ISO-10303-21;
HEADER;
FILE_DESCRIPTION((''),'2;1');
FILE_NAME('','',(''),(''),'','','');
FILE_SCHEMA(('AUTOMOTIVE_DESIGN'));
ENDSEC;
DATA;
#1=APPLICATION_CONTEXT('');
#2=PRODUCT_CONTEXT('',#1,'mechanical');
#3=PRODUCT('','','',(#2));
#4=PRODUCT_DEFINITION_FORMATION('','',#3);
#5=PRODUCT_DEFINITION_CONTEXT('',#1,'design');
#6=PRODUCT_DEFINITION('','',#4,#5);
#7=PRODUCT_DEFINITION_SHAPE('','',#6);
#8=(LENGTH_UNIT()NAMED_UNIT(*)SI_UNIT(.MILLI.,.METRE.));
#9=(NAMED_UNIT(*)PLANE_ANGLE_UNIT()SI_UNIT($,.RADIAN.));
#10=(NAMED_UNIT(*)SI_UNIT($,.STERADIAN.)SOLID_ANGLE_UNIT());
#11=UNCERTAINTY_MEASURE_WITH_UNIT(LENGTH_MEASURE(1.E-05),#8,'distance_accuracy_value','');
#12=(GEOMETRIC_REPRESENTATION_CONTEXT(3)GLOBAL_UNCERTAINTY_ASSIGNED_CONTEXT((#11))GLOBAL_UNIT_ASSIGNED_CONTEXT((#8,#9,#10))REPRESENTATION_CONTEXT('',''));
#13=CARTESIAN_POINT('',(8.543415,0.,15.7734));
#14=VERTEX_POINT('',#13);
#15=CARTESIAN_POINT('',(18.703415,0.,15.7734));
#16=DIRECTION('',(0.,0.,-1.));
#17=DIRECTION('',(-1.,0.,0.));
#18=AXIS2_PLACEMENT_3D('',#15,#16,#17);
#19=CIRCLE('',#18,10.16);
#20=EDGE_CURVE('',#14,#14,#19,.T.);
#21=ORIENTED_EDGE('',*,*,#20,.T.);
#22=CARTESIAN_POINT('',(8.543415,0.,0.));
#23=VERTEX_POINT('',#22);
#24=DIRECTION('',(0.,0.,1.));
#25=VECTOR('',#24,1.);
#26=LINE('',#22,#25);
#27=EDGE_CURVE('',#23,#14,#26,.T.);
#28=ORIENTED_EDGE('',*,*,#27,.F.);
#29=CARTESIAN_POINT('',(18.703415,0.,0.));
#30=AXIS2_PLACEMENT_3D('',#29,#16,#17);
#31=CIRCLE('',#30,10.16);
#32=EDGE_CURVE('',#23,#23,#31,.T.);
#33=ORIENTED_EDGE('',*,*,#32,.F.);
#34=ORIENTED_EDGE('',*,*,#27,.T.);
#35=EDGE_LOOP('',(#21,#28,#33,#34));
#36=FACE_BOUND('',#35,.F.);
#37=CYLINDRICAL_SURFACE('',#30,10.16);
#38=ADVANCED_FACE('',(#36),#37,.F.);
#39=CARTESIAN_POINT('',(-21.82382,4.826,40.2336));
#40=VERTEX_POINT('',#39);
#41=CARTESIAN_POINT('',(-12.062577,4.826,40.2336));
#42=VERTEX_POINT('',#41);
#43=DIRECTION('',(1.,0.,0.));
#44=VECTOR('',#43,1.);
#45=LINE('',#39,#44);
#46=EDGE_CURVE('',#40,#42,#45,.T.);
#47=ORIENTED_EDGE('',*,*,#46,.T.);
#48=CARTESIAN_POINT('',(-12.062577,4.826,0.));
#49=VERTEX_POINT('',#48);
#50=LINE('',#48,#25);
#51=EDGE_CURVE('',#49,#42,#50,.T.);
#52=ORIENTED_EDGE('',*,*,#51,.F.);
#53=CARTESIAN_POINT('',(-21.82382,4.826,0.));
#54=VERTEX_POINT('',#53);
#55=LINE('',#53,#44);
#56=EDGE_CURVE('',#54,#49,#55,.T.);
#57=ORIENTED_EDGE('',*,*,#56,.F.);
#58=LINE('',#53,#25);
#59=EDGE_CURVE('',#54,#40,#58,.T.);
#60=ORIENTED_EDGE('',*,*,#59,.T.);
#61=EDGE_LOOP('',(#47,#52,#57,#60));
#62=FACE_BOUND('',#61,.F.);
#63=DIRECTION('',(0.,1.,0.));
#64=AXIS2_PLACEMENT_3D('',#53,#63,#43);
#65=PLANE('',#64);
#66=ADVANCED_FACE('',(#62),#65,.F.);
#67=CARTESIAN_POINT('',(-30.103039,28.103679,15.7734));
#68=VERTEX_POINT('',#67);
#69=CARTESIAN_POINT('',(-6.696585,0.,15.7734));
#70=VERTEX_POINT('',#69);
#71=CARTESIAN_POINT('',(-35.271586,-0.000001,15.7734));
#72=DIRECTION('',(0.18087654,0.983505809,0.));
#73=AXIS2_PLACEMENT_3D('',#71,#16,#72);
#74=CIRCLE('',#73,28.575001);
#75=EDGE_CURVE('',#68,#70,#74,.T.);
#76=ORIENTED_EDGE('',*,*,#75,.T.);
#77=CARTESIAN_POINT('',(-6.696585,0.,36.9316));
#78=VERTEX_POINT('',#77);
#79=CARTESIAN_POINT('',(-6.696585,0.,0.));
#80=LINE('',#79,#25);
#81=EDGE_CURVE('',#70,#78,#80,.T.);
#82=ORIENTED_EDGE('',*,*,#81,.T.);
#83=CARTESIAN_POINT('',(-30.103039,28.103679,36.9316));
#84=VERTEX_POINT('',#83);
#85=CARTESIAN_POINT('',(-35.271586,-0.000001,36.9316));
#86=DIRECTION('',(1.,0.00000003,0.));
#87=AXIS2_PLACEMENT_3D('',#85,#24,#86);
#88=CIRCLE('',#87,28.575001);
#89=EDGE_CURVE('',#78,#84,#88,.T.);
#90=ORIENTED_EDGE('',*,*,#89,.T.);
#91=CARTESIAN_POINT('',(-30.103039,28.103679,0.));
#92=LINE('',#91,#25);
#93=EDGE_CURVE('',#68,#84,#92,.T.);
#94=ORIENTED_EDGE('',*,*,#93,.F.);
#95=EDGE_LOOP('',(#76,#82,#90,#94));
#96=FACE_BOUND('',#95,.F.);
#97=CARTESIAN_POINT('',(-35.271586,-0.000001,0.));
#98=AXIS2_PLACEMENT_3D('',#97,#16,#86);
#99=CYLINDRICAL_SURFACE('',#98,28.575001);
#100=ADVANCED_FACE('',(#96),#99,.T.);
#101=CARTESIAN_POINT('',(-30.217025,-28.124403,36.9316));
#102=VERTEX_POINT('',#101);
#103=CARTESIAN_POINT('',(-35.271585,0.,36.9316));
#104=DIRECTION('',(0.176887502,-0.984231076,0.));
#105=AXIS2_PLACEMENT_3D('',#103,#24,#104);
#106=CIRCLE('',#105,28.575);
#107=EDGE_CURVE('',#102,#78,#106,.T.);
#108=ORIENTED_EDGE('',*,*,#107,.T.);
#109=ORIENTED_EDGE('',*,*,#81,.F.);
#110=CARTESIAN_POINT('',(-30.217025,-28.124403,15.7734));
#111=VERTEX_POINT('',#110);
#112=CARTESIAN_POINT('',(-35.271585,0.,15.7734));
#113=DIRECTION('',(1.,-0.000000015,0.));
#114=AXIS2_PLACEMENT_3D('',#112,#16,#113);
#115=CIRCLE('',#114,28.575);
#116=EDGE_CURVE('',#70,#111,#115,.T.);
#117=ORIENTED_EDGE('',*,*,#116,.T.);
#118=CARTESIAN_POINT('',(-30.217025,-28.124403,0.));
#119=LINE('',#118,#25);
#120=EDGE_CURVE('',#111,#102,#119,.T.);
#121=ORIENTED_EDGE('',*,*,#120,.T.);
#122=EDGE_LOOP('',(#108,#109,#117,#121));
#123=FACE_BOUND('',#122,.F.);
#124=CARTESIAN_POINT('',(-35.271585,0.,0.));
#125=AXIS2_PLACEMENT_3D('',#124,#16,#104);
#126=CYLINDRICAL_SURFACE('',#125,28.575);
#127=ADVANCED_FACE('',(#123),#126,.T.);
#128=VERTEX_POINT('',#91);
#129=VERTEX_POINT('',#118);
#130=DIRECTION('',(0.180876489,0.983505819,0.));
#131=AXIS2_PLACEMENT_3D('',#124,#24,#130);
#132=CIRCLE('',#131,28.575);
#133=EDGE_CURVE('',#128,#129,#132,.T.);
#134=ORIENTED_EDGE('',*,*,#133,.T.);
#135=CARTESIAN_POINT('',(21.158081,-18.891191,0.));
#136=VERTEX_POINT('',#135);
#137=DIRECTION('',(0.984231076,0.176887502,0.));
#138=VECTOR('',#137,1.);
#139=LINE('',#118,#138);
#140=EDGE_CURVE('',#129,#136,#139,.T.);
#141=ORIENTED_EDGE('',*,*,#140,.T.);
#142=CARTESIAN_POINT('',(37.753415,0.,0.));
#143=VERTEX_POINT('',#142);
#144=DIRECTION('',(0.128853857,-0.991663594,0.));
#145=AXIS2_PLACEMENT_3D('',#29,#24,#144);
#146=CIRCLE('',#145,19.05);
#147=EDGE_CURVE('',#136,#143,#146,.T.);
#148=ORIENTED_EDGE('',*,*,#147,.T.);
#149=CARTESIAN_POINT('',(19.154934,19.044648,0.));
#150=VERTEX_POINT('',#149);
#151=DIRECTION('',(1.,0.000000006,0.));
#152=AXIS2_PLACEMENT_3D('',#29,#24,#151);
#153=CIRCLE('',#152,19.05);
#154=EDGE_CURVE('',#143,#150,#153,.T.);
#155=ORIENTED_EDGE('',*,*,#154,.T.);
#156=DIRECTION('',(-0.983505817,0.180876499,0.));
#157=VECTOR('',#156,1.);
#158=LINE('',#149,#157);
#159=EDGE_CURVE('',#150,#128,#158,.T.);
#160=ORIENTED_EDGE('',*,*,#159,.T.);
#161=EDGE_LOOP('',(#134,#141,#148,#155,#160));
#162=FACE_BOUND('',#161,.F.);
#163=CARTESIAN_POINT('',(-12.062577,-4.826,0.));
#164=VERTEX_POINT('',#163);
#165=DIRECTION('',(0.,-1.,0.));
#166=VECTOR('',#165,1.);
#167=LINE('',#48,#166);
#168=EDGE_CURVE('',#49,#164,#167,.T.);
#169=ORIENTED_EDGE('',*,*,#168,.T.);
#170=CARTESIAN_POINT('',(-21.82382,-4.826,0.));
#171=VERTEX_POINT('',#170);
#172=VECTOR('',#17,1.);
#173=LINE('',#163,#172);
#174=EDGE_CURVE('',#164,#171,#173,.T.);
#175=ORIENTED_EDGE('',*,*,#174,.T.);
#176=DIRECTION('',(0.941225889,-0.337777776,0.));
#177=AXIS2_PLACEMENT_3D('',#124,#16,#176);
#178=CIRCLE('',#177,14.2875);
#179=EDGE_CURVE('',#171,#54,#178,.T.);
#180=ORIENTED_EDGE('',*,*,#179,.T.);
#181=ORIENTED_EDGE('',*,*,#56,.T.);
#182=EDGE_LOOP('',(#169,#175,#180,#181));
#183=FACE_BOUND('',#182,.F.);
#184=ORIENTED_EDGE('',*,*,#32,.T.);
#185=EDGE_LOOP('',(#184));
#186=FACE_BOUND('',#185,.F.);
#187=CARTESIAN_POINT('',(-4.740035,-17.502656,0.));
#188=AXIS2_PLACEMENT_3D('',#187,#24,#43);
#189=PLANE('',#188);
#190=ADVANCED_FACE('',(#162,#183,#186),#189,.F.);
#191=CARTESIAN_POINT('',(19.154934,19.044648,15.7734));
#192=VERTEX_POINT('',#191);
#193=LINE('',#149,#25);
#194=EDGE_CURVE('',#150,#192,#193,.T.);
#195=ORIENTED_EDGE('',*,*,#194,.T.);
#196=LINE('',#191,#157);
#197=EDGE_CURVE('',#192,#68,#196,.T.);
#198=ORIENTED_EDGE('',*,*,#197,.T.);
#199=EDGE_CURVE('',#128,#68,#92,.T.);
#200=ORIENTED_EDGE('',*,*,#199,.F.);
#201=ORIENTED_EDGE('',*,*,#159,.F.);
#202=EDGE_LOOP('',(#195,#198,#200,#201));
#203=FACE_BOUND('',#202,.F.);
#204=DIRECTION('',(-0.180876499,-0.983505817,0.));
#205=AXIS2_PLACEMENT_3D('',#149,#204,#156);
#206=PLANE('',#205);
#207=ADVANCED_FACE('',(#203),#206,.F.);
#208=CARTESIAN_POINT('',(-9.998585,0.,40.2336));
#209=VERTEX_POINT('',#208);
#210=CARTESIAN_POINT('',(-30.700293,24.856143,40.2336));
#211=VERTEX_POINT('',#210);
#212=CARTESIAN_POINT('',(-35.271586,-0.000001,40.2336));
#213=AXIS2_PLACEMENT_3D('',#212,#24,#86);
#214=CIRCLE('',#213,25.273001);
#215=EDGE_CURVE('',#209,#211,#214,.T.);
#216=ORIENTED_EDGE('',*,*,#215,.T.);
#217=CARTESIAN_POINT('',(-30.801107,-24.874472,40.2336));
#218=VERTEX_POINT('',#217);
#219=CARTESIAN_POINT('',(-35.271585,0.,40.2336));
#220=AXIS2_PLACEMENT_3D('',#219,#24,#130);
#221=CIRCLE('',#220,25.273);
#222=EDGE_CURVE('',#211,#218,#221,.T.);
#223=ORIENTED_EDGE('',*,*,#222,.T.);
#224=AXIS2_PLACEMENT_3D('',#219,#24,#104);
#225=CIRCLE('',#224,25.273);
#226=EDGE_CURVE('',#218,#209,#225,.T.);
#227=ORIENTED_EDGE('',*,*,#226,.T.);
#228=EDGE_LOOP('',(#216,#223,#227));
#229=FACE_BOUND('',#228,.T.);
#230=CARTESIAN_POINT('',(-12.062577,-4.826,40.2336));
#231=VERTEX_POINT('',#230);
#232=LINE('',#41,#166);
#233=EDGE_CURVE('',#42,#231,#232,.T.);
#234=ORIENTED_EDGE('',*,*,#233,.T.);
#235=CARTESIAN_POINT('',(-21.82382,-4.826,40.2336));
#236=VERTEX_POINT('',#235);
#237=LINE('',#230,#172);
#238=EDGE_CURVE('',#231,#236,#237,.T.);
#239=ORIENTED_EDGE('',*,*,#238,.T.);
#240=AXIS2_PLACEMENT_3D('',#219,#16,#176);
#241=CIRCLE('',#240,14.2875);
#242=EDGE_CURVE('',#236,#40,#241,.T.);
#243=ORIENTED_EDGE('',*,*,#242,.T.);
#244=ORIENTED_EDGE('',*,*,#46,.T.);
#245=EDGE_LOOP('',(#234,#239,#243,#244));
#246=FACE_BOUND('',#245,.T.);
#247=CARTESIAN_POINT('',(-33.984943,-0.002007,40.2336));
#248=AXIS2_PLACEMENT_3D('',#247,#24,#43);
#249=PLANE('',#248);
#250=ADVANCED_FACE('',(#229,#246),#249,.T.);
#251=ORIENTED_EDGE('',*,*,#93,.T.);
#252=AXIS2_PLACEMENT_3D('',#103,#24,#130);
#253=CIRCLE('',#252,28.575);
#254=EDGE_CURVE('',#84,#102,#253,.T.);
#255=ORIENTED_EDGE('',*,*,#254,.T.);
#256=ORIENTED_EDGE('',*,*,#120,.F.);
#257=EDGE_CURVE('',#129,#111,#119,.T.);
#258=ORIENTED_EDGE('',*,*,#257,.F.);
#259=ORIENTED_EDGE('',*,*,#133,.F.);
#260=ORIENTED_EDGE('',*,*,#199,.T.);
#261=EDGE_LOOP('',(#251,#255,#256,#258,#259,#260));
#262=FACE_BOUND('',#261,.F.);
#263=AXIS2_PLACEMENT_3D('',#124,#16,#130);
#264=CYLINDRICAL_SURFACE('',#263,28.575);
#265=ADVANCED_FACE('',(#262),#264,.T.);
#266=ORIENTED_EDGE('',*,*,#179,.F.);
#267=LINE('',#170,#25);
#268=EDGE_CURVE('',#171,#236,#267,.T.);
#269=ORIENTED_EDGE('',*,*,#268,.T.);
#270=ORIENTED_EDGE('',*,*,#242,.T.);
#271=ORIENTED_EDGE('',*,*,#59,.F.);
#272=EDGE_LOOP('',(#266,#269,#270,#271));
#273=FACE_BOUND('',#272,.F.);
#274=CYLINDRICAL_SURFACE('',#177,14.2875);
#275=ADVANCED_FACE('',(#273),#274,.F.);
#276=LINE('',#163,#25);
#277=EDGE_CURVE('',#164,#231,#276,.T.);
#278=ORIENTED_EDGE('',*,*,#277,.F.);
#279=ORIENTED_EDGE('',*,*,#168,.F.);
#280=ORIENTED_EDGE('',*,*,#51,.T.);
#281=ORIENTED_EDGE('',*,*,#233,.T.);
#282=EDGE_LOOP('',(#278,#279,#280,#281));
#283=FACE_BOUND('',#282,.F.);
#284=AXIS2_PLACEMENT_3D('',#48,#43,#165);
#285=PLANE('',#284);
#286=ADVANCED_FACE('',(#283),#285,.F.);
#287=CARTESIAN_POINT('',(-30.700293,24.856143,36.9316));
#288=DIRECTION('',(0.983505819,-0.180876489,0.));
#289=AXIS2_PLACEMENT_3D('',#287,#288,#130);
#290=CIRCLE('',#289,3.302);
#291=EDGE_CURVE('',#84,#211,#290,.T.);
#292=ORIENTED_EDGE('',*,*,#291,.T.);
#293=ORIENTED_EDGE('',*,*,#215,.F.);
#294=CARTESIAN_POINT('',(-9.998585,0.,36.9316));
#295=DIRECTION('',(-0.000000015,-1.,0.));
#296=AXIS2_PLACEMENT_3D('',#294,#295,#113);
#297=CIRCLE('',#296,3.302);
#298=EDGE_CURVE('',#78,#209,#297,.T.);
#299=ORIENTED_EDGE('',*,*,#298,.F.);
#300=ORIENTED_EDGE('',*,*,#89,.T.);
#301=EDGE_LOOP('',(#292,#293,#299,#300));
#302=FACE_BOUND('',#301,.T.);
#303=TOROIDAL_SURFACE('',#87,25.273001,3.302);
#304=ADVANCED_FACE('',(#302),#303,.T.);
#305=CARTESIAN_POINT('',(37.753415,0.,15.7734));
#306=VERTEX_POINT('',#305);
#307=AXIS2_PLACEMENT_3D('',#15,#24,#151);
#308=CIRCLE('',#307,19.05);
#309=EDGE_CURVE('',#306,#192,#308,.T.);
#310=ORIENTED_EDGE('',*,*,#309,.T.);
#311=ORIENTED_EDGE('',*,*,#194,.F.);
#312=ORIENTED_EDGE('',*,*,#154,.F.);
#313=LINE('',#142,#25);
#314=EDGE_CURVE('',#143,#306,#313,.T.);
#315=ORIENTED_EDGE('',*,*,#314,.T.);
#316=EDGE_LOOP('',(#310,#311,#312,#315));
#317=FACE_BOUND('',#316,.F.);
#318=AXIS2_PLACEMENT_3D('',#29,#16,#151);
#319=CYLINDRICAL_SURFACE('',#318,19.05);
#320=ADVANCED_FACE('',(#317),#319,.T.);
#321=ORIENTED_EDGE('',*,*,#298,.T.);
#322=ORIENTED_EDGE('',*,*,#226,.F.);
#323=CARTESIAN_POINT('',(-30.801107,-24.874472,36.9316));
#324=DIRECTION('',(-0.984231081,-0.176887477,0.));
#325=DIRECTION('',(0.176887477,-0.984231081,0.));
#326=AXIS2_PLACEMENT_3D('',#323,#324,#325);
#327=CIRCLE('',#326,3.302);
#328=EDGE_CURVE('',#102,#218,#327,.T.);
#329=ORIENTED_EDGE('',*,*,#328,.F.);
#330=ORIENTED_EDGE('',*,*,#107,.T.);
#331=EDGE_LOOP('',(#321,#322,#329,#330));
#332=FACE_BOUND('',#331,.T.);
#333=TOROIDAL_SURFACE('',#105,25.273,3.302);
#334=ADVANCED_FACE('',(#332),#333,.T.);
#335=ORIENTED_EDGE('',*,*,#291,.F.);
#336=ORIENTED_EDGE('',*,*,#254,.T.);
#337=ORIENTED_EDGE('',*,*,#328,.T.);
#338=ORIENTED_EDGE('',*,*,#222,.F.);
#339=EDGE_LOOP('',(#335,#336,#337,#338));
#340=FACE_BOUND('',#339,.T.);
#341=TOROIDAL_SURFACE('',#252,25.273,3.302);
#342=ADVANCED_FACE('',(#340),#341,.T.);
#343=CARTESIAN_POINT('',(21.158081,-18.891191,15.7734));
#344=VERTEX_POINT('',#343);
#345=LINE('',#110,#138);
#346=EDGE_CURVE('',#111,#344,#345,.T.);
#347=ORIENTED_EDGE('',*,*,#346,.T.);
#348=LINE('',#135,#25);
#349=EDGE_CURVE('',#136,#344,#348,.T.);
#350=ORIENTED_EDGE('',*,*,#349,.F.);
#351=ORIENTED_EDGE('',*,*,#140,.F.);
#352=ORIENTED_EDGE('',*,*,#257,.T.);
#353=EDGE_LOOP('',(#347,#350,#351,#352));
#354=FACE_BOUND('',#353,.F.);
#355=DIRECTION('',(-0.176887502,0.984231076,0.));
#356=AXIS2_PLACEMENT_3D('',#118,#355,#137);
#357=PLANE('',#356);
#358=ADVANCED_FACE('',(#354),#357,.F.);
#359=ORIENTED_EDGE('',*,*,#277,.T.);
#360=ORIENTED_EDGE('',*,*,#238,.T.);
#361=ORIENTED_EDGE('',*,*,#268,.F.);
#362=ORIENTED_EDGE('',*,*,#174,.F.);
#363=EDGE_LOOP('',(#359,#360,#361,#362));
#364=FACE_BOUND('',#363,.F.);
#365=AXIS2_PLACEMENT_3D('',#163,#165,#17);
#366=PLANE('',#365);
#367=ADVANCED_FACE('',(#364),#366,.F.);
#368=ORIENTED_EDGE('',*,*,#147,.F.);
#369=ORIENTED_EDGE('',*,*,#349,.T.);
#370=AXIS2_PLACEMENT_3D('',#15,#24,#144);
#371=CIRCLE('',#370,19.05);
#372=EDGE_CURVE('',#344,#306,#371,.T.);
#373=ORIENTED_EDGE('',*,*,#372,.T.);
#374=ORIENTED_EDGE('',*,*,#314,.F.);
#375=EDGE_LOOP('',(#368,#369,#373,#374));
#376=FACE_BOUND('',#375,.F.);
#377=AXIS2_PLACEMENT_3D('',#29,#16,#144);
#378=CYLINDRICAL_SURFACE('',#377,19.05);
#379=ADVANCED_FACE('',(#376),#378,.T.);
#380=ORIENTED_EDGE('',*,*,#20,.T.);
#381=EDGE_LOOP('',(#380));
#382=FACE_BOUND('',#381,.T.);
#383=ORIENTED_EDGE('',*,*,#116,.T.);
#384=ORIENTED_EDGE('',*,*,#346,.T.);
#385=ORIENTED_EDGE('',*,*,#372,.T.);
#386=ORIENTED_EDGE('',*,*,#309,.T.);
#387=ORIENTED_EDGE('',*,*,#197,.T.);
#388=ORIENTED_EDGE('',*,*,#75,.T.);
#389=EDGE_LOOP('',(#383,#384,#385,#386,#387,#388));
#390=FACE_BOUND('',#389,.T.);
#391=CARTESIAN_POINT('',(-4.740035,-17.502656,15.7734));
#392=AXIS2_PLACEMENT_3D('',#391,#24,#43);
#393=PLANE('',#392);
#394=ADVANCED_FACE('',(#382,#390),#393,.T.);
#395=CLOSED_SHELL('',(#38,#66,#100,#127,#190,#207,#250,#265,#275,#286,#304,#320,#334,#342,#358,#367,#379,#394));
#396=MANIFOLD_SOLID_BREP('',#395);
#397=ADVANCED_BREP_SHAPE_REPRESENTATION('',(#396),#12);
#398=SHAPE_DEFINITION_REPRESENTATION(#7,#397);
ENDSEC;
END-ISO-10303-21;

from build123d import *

# Parameters (mm, degrees)
F1_DEPTH = 40.2336
F2_DEPTH = 15.7734
F3_R     = 3.302


with BuildPart() as f1:
    # F0 (on Top) → F1 (new body)
    with BuildSketch(Plane.XY):
        with BuildLine():
            ThreePointArc((-30.217025, -28.124403), (-13.351678, -18.33162), (-6.696585, 0))
            ThreePointArc((-6.696585, 0), (-13.314561, 18.287146), (-30.103039, 28.103679))
            ThreePointArc((-30.103039, 28.103679), (-63.846526, 0.057927), (-30.217025, -28.124403))
        make_face()
        with BuildLine():
            Line((-12.062577, 4.826), (-12.062577, 0))
            Line((-12.062577, 0), (-12.062577, -4.826))
            Line((-12.062577, -4.826), (-21.82382, -4.826))
            ThreePointArc((-21.82382, -4.826), (-49.559085, 0), (-21.82382, 4.826))
            Line((-21.82382, 4.826), (-12.062577, 4.826))
        make_face(mode=Mode.SUBTRACT)
    extrude(amount=F1_DEPTH)

    # F0 (on Top) → F2 (join)
    with BuildSketch(Plane.XY):
        with BuildLine():
            Line((-0.346585, 0), (-6.696585, 0))
            ThreePointArc((-6.696585, 0), (-13.351678, -18.33162), (-30.217025, -28.124403))
            Line((-30.217025, -28.124403), (21.158081, -18.891191))
            ThreePointArc((21.158081, -18.891191), (6.130804, -14.311951), (-0.346585, 0))
        make_face()
        with BuildLine():
            ThreePointArc((-30.103039, 28.103679), (-13.314561, 18.287146), (-6.696585, 0))
            Line((-6.696585, 0), (-0.346585, 0))
            ThreePointArc((-0.346585, 0), (5.393624, 13.629085), (19.154934, 19.044648))
            Line((19.154934, 19.044648), (-30.103039, 28.103679))
        make_face()
        with BuildLine():
            ThreePointArc((19.154934, 19.044648), (5.393624, 13.629085), (-0.346585, 0))
            ThreePointArc((-0.346585, 0), (6.130804, -14.311951), (21.158081, -18.891191))
            ThreePointArc((21.158081, -18.891191), (33.015366, -12.572611), (37.753415, 0))
            ThreePointArc((37.753415, 0), (32.3325, 13.309791), (19.154934, 19.044648))
        make_face()
        with BuildLine():
            ThreePointArc((28.863415, 0), (18.703415, -10.16), (8.543415, 0))
            ThreePointArc((8.543415, 0), (18.703415, 10.16), (28.863415, 0))
        make_face(mode=Mode.SUBTRACT)
    extrude(amount=F2_DEPTH)

    # F3
    f3_edges = [f1.edges().sort_by_distance(p)[0] for p in [
        (-40.326145, 28.124403, 40.2336),
    ]]
    fillet(f3_edges, radius=F3_R)


solid = f1.part
